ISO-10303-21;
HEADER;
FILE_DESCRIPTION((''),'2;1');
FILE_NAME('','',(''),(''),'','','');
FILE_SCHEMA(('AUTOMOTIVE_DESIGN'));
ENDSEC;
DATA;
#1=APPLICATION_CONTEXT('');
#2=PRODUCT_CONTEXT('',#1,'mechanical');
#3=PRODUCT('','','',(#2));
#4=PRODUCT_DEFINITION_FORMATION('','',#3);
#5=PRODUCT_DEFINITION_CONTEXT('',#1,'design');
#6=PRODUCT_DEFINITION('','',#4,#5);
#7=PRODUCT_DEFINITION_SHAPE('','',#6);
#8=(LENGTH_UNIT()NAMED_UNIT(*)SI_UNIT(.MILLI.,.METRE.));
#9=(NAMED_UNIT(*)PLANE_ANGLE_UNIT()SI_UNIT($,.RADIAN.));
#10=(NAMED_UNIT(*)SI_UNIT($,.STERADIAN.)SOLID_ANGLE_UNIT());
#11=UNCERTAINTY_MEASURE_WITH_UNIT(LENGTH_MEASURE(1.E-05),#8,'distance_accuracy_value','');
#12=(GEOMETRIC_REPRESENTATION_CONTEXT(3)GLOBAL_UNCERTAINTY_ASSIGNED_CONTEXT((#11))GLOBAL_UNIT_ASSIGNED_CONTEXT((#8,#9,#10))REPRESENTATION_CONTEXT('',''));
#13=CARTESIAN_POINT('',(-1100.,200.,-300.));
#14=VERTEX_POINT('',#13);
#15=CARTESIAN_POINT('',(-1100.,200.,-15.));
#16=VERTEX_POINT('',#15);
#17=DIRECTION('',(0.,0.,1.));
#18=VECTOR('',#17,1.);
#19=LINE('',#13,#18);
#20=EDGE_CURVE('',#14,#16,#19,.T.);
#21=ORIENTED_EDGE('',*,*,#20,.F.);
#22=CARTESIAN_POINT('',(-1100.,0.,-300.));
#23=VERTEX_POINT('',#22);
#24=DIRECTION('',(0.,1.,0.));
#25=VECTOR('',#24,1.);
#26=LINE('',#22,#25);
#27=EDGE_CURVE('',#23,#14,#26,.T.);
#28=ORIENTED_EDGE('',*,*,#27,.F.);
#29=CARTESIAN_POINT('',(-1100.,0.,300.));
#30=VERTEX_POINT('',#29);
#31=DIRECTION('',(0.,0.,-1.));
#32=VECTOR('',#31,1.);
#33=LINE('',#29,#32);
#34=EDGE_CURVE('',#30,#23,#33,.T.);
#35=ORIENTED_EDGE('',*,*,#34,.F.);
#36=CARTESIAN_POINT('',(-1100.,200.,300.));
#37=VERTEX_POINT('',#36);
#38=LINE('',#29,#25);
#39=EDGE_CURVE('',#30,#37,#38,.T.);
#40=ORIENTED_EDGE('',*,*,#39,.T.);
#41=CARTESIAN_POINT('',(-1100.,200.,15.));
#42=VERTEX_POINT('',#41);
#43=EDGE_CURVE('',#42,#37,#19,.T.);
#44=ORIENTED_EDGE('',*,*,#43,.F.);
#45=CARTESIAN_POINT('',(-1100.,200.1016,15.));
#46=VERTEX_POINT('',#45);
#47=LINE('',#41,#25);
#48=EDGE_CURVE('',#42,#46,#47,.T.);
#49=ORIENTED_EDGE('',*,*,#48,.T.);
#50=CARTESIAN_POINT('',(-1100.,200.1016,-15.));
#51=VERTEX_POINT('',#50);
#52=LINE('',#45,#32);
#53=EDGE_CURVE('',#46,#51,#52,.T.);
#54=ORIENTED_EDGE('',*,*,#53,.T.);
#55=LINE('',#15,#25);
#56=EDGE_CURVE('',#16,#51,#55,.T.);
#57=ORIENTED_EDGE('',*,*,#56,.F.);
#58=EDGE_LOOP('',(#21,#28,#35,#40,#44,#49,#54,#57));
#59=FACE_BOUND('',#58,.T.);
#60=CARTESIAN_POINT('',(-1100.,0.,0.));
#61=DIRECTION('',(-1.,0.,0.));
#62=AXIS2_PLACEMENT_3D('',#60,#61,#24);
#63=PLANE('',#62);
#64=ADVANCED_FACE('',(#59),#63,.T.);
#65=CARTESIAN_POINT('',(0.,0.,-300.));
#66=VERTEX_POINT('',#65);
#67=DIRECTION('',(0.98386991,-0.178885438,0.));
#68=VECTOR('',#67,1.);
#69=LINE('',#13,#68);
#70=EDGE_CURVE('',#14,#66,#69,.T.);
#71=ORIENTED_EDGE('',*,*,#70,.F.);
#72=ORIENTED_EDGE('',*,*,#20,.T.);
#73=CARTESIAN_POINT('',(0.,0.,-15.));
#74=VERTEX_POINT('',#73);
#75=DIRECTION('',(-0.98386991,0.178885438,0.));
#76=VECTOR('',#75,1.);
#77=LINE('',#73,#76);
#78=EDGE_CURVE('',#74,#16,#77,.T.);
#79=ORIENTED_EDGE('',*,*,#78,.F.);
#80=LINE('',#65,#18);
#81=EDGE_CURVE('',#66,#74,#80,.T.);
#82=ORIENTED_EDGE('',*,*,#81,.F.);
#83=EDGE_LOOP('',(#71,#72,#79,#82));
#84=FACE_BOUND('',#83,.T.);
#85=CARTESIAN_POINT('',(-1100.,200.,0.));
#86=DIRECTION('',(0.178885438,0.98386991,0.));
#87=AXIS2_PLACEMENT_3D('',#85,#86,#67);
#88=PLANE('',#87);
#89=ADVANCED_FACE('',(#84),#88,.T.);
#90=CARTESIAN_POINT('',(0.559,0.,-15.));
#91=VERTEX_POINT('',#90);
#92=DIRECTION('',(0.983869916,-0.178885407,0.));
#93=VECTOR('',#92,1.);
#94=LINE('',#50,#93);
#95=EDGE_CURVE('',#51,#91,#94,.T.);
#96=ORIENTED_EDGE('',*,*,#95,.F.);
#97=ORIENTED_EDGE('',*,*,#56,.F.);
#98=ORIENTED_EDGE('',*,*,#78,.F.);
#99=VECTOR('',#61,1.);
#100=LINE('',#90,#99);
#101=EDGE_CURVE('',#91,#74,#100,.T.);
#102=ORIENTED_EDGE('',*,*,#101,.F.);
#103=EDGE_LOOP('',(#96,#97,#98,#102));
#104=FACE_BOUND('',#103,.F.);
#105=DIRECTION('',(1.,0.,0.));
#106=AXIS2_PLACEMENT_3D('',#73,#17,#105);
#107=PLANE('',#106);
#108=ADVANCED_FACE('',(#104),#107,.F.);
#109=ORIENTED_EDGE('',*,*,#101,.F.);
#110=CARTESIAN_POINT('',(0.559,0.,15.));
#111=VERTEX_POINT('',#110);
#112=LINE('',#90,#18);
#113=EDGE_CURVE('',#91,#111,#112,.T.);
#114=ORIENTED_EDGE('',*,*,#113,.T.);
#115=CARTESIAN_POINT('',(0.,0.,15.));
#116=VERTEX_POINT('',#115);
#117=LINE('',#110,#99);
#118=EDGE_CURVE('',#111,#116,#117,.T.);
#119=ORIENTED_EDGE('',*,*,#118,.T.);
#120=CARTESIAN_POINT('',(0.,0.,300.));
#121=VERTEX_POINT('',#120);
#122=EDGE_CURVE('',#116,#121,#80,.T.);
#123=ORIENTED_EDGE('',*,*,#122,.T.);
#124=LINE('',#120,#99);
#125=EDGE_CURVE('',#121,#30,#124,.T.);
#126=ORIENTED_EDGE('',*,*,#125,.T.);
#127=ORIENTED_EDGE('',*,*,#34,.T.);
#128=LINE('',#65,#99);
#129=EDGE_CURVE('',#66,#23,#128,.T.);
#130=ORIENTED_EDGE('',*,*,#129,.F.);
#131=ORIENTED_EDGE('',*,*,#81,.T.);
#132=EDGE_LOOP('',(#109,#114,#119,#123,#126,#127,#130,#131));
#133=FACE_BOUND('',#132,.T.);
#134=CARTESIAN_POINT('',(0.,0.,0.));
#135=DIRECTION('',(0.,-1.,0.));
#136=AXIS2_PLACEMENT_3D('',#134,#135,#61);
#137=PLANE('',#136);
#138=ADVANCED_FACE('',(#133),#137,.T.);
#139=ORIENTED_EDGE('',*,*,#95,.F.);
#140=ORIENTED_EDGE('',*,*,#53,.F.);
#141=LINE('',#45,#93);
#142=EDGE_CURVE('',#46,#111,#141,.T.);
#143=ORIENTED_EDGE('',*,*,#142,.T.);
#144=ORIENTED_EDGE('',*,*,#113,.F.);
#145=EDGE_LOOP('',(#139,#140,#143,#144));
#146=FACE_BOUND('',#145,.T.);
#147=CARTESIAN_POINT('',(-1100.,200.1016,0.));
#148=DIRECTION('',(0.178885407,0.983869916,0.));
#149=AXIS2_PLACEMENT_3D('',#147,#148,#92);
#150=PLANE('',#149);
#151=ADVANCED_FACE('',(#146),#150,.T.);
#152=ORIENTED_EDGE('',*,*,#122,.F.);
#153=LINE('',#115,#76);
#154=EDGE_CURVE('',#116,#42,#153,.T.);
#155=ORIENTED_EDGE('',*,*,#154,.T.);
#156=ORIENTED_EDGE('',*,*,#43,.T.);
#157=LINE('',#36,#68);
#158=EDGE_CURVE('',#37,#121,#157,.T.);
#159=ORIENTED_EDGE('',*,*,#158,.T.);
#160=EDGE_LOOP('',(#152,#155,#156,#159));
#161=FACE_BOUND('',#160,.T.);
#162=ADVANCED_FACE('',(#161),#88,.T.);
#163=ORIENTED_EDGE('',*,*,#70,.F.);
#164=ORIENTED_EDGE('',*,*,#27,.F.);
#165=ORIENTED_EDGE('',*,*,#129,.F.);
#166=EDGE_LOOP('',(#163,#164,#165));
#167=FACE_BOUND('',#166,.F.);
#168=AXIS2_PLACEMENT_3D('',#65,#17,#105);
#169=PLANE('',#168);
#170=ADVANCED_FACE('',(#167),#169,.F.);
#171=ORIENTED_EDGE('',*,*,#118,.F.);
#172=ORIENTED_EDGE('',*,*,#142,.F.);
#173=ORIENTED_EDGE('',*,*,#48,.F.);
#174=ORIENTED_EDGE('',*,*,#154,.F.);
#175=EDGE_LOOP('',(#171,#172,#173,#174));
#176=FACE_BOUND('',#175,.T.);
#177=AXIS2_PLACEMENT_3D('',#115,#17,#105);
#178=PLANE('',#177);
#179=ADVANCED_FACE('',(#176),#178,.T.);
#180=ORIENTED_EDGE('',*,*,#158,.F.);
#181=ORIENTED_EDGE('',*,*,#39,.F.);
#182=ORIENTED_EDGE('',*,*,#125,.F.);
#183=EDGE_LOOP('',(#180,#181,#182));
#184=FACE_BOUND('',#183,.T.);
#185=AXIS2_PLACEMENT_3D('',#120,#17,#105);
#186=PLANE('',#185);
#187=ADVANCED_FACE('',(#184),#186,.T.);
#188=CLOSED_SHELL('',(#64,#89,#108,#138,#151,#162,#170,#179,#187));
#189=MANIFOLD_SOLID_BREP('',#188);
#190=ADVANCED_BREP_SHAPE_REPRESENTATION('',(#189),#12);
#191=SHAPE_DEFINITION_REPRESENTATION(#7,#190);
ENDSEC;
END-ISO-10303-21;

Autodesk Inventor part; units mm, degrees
ref_plane "YZ Plane" through (0, 0, 0) normal (1, 0, 0) x (0, 1, 0)
ref_plane "XZ Plane" through (0, 0, 0) normal (0, 1, 0) x (-1, 0, 0)
ref_plane "XY Plane" through (0, 0, 0) normal (0, 0, 1) x (1, 0, 0)
sketch "スケッチ1" plane through (0, 0, 0) normal (0, 0, 1) x (1, 0, 0)
  line L0 (0, 0) -> (-1100, 0)
  line L1 (-1100, 0) -> (-1100, 200)
  line L2 (-1100, 200) -> (0, 0)
  dimension "d1" = 1100
  dimension "d2" = 200
extrude "押し出し1" add sketch "スケッチ1" along normal mid plane 600
sketch "スケッチ2" plane through (0, 0, 0) normal (0, 0, 1) x (1, 0, 0)
  line L0 (-1100, 0) -> (0, 0) projected
  line L1 (0, 0) -> (-1100, 200) projected
  line L2 (-1100, 200) -> (-1100, 0) projected
  line L3 (-1100, 200) -> (-1100, 200.1016)
  line L4 (-1100, 200.1016) -> (0.559, 0)
  line L5 (0.559, 0) -> (0, 0)
  dimension "d5" = 0.1
extrude "押し出し2" add sketch "スケッチ2" along normal mid plane 30 contours L1 L3 L4 L5
properties part number "Slope 1"
